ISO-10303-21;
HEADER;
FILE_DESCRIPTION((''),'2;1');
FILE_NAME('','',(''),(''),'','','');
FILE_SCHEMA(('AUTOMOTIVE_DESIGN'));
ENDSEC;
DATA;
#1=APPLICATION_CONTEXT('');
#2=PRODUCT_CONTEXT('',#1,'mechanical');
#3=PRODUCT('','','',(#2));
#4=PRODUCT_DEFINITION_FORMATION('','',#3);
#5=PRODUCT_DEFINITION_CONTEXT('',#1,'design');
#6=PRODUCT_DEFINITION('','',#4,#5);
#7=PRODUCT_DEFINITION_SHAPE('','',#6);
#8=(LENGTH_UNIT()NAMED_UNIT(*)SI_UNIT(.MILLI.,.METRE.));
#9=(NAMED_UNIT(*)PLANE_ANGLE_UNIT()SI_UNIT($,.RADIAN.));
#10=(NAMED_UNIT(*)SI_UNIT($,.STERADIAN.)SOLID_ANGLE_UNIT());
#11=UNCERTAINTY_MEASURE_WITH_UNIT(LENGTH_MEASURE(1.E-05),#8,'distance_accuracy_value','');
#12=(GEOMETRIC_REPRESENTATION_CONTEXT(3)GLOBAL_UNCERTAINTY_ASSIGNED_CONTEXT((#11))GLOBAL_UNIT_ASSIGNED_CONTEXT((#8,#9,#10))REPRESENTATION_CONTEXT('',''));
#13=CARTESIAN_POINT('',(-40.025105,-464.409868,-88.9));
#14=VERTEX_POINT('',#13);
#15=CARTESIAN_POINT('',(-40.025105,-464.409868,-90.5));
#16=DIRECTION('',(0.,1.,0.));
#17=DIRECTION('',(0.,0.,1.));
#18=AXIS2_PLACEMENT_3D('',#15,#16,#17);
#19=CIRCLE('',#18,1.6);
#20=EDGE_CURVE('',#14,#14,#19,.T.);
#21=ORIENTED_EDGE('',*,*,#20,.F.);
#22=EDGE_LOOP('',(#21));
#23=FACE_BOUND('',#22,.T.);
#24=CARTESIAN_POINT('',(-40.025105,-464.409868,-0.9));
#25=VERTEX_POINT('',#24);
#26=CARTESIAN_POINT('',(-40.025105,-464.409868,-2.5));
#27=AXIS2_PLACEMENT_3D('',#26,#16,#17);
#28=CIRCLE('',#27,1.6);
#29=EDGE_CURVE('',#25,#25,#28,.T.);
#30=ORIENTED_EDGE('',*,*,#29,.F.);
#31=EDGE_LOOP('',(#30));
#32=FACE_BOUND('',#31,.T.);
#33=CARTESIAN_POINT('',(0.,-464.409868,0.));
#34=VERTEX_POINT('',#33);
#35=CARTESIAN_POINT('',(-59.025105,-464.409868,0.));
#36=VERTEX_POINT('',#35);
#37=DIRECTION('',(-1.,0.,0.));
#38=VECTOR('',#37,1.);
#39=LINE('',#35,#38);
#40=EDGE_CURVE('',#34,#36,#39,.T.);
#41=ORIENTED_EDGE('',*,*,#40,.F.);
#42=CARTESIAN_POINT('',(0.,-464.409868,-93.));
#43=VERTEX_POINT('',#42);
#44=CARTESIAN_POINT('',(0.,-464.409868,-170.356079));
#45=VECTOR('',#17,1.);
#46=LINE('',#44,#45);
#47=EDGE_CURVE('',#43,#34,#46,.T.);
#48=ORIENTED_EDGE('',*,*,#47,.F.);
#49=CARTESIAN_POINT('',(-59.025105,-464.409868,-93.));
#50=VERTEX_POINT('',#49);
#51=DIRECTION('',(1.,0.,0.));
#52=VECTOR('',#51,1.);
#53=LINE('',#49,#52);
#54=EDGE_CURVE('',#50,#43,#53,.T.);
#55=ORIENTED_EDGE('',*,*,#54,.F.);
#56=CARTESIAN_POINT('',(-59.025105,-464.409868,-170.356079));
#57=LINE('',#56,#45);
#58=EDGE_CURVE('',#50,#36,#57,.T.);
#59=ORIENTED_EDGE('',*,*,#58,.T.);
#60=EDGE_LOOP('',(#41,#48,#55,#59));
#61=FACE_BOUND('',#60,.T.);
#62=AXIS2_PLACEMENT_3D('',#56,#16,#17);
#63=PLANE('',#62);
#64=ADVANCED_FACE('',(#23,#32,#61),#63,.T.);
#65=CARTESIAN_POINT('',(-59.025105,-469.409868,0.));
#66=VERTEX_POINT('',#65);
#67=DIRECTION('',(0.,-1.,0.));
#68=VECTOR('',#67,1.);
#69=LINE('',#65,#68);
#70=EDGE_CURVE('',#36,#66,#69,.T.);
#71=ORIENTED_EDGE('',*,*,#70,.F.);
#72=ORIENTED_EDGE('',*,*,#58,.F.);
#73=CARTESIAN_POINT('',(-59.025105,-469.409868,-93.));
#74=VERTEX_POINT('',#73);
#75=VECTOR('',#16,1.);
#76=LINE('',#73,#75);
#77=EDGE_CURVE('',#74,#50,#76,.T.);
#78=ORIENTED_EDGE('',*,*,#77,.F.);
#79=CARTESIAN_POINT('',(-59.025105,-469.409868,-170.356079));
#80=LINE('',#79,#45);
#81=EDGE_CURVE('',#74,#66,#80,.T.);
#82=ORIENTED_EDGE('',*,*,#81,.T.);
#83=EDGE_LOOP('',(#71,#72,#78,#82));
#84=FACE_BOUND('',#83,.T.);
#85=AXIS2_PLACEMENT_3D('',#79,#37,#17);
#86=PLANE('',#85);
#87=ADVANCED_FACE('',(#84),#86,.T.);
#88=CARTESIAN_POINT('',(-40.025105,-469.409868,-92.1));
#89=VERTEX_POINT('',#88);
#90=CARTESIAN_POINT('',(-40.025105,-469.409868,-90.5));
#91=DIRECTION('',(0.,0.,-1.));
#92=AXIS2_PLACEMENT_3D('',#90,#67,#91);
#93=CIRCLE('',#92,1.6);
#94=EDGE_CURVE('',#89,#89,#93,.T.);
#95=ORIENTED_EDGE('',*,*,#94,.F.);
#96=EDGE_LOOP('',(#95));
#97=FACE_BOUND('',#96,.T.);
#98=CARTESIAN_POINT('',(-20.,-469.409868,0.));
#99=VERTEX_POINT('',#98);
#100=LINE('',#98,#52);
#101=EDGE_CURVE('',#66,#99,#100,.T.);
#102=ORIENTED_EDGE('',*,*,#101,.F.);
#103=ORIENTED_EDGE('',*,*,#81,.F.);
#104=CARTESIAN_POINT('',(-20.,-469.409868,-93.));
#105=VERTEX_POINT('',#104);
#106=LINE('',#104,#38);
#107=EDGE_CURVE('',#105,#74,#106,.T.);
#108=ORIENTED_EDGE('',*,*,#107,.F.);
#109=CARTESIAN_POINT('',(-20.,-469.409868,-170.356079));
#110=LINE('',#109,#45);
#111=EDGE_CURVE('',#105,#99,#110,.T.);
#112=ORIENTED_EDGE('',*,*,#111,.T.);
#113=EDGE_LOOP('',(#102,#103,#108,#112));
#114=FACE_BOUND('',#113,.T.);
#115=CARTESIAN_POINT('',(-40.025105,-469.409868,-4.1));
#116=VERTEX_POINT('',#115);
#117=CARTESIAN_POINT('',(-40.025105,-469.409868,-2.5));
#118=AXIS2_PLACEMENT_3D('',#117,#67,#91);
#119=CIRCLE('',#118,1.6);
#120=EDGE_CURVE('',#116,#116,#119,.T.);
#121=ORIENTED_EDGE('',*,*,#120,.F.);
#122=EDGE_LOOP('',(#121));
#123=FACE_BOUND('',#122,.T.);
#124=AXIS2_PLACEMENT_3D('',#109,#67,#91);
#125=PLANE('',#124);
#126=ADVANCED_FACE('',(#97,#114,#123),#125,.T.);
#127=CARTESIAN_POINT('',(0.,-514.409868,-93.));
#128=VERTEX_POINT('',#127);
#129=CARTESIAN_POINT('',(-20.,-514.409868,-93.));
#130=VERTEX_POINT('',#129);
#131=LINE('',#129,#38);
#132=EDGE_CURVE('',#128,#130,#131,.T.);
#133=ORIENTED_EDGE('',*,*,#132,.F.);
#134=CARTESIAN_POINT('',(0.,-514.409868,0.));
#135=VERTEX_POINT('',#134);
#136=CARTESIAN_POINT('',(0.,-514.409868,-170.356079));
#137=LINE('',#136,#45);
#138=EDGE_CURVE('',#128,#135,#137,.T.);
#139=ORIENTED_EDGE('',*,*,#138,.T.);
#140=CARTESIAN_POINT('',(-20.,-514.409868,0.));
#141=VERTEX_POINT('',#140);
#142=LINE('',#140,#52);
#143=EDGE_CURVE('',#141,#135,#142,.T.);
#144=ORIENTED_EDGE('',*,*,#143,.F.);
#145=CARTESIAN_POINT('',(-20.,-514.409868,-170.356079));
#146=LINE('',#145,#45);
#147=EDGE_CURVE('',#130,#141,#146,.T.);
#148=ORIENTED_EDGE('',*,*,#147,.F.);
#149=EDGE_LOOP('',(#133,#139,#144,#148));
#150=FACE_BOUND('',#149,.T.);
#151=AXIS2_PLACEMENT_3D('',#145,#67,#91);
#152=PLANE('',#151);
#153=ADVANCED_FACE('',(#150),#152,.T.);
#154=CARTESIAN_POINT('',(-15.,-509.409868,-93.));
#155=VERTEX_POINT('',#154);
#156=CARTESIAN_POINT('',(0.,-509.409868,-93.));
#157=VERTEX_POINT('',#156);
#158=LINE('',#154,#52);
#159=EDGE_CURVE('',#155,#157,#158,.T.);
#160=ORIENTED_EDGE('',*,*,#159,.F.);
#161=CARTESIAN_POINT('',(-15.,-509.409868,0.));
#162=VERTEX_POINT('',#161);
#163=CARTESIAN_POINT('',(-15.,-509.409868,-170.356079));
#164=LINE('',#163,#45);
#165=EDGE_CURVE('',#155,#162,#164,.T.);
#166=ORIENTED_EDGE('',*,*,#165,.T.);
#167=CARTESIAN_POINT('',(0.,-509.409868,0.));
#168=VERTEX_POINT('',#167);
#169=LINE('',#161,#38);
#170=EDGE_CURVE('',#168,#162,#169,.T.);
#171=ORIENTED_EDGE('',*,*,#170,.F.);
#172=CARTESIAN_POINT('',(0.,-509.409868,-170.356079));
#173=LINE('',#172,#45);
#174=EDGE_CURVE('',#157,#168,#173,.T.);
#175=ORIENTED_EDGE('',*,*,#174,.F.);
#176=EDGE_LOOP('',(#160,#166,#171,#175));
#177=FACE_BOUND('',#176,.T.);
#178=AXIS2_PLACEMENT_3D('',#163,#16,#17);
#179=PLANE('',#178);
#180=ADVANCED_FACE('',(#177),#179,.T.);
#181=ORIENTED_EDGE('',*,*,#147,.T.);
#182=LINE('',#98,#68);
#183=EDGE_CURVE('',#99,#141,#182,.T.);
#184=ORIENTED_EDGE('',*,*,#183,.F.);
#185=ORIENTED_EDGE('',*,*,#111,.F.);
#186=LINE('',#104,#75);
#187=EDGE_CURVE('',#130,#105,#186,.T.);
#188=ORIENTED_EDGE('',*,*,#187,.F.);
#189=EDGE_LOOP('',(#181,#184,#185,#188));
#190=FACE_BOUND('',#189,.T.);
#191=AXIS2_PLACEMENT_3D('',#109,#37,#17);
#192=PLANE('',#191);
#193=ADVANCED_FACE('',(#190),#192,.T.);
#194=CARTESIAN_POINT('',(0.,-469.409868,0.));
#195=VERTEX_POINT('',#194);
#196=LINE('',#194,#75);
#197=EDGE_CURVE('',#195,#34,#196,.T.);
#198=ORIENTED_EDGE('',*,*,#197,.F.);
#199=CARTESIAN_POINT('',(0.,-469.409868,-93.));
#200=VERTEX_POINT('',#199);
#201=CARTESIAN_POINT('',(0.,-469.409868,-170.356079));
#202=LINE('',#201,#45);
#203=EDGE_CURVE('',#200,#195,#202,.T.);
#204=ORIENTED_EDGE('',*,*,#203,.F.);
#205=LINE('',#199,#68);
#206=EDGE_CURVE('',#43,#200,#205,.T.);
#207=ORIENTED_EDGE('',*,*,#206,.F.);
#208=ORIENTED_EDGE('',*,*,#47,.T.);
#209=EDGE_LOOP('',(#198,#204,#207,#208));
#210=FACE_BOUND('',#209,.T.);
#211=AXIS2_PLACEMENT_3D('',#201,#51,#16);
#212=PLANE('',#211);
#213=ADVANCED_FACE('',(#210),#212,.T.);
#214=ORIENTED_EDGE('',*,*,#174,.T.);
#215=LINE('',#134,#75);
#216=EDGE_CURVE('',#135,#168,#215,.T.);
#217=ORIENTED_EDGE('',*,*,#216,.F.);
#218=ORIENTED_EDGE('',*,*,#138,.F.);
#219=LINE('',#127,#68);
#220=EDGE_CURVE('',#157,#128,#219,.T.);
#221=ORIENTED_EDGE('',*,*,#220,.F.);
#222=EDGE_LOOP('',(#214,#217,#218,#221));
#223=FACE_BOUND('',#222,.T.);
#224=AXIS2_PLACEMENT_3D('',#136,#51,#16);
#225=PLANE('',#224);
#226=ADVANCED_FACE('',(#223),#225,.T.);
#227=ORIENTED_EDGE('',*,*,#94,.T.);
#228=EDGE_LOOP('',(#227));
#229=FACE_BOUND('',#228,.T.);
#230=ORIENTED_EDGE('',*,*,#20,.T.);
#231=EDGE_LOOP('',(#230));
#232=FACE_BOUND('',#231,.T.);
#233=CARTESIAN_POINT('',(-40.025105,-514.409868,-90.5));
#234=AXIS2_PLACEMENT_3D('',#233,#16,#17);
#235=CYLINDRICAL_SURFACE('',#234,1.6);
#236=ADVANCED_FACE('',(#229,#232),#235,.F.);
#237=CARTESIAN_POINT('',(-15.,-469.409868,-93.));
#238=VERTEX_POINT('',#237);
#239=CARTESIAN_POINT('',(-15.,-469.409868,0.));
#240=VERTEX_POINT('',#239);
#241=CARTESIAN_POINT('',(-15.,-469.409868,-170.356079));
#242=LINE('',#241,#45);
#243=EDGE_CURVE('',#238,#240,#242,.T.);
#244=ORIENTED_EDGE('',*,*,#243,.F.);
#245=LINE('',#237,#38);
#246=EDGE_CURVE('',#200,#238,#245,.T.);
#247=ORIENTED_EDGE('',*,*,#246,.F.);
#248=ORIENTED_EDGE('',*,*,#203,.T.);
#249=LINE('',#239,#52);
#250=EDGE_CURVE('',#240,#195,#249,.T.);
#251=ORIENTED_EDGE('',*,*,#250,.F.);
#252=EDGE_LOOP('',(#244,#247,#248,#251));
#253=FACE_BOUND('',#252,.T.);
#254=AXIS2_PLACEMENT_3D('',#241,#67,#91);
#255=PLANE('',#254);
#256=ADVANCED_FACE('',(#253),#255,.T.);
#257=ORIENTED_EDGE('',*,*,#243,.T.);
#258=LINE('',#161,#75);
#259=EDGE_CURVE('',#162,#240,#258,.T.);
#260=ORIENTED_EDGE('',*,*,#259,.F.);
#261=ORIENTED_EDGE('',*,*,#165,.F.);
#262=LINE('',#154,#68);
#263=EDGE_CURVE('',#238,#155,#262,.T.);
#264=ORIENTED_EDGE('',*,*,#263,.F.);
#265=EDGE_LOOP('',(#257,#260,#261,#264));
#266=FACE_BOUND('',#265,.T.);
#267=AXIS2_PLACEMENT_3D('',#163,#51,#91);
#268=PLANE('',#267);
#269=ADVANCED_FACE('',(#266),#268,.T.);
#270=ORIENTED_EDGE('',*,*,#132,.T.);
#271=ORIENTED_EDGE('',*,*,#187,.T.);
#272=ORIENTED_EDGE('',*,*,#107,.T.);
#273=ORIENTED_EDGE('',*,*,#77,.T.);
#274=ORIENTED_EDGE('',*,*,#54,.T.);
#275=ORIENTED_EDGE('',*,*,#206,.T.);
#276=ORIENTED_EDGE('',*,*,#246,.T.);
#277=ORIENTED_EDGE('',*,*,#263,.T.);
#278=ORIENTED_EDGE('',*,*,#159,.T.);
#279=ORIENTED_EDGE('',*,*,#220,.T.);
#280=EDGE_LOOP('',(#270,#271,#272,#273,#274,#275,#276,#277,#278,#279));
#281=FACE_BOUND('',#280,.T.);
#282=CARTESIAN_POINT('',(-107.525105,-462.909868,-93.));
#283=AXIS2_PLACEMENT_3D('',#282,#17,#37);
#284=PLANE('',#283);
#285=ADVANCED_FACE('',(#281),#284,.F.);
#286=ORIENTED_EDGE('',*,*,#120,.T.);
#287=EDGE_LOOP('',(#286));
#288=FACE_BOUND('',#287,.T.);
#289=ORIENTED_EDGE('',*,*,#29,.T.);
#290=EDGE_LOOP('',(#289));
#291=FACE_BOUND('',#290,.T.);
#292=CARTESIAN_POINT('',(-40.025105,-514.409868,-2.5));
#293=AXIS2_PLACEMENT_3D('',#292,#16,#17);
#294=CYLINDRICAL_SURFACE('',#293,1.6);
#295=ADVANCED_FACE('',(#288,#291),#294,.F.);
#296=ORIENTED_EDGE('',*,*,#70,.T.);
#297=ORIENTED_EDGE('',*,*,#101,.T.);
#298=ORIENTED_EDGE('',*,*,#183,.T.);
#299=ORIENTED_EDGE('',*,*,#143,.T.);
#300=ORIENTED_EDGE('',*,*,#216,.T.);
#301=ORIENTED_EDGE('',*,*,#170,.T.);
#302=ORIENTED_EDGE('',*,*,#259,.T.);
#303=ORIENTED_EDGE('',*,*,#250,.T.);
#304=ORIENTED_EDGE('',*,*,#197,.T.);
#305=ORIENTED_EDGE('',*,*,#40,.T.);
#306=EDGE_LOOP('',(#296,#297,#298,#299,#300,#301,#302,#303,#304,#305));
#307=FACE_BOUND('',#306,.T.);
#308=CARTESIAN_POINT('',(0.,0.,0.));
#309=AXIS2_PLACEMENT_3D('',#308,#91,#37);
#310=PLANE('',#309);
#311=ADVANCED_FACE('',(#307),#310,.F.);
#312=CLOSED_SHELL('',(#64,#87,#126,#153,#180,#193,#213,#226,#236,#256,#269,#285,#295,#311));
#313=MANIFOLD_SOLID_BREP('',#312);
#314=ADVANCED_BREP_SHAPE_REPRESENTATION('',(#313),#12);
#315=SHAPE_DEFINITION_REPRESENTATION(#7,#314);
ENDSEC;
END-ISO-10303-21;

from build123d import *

# Parameters (mm, degrees)
BOSS_EXTRU_1_DEPTH      = 93
ESQUISSE2_R             = 1.6
ENL_V_MAT_EXTRU_1_DEPTH = 121.966784717


with BuildPart() as part:
    # Esquisse1 → Boss.-Extru.1 (new body)
    with BuildSketch(Plane.XY):
        Polygon((-20, -469.409867617), (-59.025104869, -469.409867617), (-59.025104869, -464.409867617), (0, -464.409867617), (0, -469.409867617), (-15, -469.409867617), (-15, -509.409867617), (0, -509.409867617), (0, -514.409867617), (-20, -514.409867617), align=None)
    extrude(amount=-BOSS_EXTRU_1_DEPTH)

    # Esquisse2 → Enlèv. mat.-Extru.1 (cut, through all)
    with BuildSketch(Plane(origin=(0, -464.409867617, 0), x_dir=(1, 0, 0), z_dir=(0, 1, 0))):
        with Locations(Location((-40.025104869, 90.5, 0), (0, 0, 270))):
            Circle(ESQUISSE2_R)
        with Locations(Location((-40.025104869, 2.5, 0), (0, 0, 270))):
            Circle(ESQUISSE2_R)
    extrude(amount=-ENL_V_MAT_EXTRU_1_DEPTH, mode=Mode.SUBTRACT)


solid = part.part
